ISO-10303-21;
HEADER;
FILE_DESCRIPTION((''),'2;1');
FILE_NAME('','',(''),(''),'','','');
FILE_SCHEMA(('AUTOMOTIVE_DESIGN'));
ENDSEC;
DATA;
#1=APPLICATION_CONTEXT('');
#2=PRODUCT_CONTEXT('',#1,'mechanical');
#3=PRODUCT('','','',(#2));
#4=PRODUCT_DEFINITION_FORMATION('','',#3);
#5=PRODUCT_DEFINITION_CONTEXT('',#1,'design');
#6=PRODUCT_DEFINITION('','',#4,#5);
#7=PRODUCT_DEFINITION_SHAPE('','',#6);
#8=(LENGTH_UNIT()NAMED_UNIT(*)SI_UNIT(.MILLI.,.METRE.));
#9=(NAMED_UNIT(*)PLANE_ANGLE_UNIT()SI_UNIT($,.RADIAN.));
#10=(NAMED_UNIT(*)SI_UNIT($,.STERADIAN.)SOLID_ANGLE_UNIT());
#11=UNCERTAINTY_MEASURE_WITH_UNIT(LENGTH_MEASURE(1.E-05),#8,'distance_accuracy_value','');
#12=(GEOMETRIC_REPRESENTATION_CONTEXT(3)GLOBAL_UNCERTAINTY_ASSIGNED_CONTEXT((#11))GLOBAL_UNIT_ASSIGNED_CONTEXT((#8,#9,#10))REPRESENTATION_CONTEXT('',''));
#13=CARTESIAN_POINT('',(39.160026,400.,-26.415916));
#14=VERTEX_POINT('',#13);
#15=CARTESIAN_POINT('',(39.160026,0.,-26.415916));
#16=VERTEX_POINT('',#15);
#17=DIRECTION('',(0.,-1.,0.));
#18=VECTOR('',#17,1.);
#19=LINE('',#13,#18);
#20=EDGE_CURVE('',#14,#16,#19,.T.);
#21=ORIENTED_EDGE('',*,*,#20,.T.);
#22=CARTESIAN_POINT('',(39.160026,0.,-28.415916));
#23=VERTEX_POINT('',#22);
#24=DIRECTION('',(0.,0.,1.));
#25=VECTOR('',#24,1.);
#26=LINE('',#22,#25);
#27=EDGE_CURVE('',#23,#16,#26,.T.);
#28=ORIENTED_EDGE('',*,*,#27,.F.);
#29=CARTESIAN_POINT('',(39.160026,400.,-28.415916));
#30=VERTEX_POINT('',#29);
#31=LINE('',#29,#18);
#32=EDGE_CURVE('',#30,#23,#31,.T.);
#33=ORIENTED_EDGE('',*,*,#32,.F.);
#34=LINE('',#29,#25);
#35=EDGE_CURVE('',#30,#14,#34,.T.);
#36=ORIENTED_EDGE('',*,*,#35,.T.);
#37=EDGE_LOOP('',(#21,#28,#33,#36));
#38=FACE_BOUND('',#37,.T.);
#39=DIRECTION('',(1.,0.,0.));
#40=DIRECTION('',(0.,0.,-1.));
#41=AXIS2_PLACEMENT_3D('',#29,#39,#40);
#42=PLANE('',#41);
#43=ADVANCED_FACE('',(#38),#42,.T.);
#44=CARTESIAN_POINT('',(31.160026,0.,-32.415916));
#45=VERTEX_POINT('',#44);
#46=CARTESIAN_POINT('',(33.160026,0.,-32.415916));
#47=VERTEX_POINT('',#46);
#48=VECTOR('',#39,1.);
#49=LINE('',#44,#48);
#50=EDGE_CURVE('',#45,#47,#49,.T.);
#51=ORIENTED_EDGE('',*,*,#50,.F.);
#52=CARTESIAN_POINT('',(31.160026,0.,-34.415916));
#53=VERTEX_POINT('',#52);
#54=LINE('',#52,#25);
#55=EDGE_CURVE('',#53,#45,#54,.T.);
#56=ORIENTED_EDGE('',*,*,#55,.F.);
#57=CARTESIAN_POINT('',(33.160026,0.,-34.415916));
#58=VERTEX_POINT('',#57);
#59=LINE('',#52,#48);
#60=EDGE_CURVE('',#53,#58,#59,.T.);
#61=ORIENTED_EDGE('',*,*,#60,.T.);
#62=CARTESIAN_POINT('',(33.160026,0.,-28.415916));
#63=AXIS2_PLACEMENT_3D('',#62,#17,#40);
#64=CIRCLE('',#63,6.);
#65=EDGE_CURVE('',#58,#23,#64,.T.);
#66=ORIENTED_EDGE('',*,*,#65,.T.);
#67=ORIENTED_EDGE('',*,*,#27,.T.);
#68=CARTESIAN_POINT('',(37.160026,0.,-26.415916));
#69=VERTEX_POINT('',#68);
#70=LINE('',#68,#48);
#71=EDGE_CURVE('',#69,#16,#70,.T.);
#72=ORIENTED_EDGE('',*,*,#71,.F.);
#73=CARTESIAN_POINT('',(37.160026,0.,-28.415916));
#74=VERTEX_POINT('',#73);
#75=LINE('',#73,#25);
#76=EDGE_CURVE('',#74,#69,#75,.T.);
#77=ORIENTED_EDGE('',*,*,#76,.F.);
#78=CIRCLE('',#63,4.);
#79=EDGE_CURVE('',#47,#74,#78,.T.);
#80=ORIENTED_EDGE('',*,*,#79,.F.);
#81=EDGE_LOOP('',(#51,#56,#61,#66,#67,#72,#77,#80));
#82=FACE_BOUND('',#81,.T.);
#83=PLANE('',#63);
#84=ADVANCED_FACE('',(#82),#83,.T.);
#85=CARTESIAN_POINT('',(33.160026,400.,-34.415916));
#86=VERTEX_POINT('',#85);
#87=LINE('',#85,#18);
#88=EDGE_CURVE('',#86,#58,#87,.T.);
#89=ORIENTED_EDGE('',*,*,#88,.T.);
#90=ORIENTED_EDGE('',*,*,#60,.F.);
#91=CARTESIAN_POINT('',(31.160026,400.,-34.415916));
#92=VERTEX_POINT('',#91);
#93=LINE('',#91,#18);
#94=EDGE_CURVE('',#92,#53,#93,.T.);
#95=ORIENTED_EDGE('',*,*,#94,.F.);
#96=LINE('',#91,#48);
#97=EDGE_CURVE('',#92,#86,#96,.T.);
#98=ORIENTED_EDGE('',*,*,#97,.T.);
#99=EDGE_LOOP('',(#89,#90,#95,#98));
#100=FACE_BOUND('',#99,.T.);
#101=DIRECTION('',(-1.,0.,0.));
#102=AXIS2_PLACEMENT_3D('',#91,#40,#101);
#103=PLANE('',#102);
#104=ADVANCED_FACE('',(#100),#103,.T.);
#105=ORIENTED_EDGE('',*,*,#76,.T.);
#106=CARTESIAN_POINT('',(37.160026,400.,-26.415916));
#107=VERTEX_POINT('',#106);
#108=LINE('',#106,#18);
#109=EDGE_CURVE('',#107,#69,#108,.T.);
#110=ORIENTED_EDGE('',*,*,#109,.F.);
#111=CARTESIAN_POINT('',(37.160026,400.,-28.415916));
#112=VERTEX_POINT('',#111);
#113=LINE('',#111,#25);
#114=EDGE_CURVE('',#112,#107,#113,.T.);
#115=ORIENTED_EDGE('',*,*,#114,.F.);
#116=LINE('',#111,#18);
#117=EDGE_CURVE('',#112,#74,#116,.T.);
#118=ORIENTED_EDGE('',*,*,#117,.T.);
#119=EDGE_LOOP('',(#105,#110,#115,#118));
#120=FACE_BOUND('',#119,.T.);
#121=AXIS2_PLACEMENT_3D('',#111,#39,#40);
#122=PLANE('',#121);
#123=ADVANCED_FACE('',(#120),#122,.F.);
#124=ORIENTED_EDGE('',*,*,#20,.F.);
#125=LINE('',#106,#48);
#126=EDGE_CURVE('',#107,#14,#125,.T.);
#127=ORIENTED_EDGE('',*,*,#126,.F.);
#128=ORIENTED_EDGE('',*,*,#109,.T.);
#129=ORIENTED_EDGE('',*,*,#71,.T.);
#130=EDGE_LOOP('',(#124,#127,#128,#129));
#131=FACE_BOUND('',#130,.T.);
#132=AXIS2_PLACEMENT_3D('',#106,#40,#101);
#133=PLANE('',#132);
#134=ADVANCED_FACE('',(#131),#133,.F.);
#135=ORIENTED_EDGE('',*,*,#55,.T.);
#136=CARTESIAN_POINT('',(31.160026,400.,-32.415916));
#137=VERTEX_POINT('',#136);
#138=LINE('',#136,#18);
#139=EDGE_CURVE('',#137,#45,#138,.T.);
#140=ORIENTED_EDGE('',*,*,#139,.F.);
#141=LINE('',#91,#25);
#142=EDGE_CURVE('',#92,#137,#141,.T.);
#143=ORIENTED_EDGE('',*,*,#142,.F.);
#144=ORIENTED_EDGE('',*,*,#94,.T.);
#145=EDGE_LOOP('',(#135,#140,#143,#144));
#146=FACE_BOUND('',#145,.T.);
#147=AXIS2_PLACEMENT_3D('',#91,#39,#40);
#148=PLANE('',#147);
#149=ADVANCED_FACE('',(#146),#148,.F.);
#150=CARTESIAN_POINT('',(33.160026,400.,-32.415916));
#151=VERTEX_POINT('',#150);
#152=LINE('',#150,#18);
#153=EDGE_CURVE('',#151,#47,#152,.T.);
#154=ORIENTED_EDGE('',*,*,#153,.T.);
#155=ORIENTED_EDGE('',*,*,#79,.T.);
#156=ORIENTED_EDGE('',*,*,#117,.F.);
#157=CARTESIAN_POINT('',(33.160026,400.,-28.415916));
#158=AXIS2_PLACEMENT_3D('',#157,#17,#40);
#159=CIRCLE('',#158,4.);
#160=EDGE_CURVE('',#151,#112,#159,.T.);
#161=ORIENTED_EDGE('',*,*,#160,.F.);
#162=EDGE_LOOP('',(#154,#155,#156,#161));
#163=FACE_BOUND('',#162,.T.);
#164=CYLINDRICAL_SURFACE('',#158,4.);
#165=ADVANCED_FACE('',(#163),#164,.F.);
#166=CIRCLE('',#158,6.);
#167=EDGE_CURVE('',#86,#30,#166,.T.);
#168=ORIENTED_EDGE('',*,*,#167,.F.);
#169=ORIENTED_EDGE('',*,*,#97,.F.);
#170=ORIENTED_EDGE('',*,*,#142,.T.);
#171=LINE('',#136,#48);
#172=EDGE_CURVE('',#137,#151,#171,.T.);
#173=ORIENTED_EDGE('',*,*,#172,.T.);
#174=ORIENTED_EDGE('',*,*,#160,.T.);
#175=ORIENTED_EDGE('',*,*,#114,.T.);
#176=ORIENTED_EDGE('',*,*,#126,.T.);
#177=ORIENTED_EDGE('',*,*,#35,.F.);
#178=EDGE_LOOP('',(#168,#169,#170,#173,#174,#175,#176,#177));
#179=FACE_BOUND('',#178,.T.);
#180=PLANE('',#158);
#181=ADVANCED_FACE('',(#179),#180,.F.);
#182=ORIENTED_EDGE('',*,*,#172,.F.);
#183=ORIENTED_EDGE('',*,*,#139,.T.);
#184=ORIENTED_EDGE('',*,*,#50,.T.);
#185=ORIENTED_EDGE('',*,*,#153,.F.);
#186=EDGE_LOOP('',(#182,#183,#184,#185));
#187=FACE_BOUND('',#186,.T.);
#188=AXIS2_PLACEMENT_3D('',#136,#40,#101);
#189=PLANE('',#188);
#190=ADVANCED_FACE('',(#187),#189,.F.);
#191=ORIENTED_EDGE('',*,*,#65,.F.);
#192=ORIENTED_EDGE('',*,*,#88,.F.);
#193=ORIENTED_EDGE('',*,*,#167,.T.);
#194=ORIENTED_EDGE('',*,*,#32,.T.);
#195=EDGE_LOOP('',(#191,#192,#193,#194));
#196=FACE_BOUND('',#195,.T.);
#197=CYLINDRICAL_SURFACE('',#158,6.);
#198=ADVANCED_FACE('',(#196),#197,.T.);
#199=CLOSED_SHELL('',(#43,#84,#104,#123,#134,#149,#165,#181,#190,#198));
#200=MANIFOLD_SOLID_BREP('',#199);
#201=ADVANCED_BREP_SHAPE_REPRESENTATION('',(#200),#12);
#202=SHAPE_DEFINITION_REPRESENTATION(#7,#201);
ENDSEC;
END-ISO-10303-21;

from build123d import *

# Parameters (mm, degrees)
BOSS_EXTRUDE1_DEPTH = 400


with BuildPart() as part:
    # Sketch1 → Boss-Extrude1 (new body)
    with BuildSketch(Plane(origin=(0, 0, 0), x_dir=(1, 0, 0), z_dir=(0, 1, 0))):
        with BuildLine():
            Line((39.160026276, 28.415916475), (39.160026276, 26.415916475))
            Line((39.160026276, 26.415916475), (37.160026276, 26.415916475))
            Line((37.160026276, 26.415916475), (37.160026276, 28.415916475))
            ThreePointArc((37.160026276, 28.415916475), (35.9884534, 31.2443436), (33.160026276, 32.415916475))
            Line((33.160026276, 32.415916475), (31.160026276, 32.415916475))
            Line((31.160026276, 32.415916475), (31.160026276, 34.415916475))
            Line((31.160026276, 34.415916475), (33.160026276, 34.415916475))
            ThreePointArc((33.160026276, 34.415916475), (37.402666963, 32.658557162), (39.160026276, 28.415916475))
        make_face()
    extrude(amount=BOSS_EXTRUDE1_DEPTH)


solid = part.part
